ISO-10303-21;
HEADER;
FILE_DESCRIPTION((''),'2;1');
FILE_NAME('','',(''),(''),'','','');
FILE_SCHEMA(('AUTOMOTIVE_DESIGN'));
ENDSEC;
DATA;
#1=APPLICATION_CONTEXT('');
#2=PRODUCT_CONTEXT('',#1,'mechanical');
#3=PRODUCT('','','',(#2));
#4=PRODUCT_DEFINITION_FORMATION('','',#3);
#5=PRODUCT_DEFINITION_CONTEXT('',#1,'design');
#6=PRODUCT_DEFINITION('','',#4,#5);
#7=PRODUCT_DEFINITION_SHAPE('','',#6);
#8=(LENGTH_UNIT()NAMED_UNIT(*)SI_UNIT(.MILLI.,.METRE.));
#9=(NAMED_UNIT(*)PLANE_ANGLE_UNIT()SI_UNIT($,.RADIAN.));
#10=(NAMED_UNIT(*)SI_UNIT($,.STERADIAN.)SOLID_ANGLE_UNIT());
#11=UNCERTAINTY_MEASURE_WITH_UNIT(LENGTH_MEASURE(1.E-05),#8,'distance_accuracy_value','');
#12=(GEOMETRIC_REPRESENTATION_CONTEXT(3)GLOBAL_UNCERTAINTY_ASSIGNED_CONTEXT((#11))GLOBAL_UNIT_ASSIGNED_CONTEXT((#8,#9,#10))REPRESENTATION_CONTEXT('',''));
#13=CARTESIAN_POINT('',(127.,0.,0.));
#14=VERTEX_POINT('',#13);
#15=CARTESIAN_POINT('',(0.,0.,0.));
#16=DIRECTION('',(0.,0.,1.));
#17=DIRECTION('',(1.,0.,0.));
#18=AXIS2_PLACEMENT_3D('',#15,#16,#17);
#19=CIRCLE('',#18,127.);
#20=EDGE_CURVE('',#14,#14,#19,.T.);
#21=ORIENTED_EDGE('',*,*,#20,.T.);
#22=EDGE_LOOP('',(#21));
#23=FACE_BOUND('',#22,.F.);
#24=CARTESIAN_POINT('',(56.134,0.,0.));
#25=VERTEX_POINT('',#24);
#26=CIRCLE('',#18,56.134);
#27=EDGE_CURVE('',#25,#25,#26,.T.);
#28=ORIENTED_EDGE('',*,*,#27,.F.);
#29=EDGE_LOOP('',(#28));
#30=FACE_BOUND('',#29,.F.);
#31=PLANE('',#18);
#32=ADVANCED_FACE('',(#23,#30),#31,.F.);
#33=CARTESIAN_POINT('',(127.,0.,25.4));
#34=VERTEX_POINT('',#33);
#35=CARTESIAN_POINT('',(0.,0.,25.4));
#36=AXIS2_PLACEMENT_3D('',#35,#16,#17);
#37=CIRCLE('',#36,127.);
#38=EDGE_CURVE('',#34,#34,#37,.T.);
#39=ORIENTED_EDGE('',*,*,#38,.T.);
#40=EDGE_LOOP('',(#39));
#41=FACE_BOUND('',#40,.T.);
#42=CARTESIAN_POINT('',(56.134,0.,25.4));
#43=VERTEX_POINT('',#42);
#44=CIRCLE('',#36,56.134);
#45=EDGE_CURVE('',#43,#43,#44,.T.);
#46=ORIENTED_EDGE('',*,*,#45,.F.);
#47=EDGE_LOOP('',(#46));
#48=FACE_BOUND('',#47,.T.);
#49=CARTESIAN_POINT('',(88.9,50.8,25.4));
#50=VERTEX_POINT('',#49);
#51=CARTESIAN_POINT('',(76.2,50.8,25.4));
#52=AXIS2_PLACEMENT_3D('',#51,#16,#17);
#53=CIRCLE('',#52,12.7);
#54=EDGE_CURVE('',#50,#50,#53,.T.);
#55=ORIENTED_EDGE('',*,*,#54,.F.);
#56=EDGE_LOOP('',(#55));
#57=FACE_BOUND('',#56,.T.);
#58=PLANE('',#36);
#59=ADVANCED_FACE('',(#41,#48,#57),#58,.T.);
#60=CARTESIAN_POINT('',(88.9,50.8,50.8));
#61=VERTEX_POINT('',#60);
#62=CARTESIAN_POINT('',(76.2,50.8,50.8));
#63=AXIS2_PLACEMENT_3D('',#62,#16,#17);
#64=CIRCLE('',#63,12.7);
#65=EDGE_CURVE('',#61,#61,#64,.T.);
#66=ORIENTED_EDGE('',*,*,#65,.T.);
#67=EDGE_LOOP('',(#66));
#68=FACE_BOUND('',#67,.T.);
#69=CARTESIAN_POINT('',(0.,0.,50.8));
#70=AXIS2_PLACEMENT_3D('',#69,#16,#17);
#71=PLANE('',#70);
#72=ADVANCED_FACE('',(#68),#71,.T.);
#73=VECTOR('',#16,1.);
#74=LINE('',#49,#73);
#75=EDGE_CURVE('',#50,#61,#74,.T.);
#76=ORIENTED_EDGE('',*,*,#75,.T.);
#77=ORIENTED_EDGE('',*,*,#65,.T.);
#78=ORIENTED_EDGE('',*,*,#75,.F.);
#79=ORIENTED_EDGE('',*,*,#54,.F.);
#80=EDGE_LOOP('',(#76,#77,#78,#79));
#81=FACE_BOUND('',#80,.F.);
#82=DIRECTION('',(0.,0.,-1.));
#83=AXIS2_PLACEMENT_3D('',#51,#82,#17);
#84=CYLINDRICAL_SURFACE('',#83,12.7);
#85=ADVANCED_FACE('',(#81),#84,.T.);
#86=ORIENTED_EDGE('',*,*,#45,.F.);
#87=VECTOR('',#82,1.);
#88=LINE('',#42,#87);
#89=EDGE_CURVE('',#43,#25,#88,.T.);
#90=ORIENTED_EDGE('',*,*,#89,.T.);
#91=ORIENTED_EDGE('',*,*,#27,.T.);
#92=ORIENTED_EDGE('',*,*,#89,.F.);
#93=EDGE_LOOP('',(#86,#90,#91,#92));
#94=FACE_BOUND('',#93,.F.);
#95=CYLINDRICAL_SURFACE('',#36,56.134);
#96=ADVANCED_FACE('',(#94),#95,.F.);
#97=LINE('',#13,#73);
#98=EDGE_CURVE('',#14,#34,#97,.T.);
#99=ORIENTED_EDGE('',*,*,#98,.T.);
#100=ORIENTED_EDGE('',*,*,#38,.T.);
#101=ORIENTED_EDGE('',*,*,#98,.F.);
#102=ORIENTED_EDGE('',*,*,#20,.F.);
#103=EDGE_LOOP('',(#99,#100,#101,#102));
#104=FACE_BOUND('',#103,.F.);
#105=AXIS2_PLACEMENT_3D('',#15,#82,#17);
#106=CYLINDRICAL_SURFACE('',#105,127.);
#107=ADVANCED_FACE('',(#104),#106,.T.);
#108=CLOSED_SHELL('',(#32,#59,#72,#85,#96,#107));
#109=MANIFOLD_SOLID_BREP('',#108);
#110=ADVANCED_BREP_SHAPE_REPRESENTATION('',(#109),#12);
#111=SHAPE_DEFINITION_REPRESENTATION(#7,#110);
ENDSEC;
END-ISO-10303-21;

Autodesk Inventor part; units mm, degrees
ref_plane "YZ Plane" through (0, 0, 0) normal (1, 0, 0) x (0, 1, 0)
ref_plane "XZ Plane" through (0, 0, 0) normal (0, 1, 0) x (-1, 0, 0)
ref_plane "XY Plane" through (0, 0, 0) normal (0, 0, 1) x (1, 0, 0)
sketch "Sketch1" plane through (0, 0, 0) normal (0, 0, 1) x (1, 0, 0)
  circle A0 centre (0, 0) radius 127
  dimension "d0" = 254
extrude "Extrusion1" add sketch "Sketch1" along normal blind 25.4
sketch "Sketch2" plane through (0, 0, 25.4) normal (0, 0, 1) x (1, 0, 0)
  circle A0 centre (0, 0) radius 56.134
  dimension "d4" = 112.268
extrude "Extrusion2" cut sketch "Sketch2" against normal blind 25.4
sketch "Sketch3" plane through (0, 0, 25.4) normal (0, 0, 1) x (1, 0, 0)
  circle A0 centre (76.2, 50.8) radius 12.7
  point P0 (0, 0)
  dimension "d7" = 25.4
  dimension "d8" = 50.8
  dimension "d9" = 76.2
extrude "Extrusion3" add sketch "Sketch3" along normal blind 25.4
properties part number "Manivela"
